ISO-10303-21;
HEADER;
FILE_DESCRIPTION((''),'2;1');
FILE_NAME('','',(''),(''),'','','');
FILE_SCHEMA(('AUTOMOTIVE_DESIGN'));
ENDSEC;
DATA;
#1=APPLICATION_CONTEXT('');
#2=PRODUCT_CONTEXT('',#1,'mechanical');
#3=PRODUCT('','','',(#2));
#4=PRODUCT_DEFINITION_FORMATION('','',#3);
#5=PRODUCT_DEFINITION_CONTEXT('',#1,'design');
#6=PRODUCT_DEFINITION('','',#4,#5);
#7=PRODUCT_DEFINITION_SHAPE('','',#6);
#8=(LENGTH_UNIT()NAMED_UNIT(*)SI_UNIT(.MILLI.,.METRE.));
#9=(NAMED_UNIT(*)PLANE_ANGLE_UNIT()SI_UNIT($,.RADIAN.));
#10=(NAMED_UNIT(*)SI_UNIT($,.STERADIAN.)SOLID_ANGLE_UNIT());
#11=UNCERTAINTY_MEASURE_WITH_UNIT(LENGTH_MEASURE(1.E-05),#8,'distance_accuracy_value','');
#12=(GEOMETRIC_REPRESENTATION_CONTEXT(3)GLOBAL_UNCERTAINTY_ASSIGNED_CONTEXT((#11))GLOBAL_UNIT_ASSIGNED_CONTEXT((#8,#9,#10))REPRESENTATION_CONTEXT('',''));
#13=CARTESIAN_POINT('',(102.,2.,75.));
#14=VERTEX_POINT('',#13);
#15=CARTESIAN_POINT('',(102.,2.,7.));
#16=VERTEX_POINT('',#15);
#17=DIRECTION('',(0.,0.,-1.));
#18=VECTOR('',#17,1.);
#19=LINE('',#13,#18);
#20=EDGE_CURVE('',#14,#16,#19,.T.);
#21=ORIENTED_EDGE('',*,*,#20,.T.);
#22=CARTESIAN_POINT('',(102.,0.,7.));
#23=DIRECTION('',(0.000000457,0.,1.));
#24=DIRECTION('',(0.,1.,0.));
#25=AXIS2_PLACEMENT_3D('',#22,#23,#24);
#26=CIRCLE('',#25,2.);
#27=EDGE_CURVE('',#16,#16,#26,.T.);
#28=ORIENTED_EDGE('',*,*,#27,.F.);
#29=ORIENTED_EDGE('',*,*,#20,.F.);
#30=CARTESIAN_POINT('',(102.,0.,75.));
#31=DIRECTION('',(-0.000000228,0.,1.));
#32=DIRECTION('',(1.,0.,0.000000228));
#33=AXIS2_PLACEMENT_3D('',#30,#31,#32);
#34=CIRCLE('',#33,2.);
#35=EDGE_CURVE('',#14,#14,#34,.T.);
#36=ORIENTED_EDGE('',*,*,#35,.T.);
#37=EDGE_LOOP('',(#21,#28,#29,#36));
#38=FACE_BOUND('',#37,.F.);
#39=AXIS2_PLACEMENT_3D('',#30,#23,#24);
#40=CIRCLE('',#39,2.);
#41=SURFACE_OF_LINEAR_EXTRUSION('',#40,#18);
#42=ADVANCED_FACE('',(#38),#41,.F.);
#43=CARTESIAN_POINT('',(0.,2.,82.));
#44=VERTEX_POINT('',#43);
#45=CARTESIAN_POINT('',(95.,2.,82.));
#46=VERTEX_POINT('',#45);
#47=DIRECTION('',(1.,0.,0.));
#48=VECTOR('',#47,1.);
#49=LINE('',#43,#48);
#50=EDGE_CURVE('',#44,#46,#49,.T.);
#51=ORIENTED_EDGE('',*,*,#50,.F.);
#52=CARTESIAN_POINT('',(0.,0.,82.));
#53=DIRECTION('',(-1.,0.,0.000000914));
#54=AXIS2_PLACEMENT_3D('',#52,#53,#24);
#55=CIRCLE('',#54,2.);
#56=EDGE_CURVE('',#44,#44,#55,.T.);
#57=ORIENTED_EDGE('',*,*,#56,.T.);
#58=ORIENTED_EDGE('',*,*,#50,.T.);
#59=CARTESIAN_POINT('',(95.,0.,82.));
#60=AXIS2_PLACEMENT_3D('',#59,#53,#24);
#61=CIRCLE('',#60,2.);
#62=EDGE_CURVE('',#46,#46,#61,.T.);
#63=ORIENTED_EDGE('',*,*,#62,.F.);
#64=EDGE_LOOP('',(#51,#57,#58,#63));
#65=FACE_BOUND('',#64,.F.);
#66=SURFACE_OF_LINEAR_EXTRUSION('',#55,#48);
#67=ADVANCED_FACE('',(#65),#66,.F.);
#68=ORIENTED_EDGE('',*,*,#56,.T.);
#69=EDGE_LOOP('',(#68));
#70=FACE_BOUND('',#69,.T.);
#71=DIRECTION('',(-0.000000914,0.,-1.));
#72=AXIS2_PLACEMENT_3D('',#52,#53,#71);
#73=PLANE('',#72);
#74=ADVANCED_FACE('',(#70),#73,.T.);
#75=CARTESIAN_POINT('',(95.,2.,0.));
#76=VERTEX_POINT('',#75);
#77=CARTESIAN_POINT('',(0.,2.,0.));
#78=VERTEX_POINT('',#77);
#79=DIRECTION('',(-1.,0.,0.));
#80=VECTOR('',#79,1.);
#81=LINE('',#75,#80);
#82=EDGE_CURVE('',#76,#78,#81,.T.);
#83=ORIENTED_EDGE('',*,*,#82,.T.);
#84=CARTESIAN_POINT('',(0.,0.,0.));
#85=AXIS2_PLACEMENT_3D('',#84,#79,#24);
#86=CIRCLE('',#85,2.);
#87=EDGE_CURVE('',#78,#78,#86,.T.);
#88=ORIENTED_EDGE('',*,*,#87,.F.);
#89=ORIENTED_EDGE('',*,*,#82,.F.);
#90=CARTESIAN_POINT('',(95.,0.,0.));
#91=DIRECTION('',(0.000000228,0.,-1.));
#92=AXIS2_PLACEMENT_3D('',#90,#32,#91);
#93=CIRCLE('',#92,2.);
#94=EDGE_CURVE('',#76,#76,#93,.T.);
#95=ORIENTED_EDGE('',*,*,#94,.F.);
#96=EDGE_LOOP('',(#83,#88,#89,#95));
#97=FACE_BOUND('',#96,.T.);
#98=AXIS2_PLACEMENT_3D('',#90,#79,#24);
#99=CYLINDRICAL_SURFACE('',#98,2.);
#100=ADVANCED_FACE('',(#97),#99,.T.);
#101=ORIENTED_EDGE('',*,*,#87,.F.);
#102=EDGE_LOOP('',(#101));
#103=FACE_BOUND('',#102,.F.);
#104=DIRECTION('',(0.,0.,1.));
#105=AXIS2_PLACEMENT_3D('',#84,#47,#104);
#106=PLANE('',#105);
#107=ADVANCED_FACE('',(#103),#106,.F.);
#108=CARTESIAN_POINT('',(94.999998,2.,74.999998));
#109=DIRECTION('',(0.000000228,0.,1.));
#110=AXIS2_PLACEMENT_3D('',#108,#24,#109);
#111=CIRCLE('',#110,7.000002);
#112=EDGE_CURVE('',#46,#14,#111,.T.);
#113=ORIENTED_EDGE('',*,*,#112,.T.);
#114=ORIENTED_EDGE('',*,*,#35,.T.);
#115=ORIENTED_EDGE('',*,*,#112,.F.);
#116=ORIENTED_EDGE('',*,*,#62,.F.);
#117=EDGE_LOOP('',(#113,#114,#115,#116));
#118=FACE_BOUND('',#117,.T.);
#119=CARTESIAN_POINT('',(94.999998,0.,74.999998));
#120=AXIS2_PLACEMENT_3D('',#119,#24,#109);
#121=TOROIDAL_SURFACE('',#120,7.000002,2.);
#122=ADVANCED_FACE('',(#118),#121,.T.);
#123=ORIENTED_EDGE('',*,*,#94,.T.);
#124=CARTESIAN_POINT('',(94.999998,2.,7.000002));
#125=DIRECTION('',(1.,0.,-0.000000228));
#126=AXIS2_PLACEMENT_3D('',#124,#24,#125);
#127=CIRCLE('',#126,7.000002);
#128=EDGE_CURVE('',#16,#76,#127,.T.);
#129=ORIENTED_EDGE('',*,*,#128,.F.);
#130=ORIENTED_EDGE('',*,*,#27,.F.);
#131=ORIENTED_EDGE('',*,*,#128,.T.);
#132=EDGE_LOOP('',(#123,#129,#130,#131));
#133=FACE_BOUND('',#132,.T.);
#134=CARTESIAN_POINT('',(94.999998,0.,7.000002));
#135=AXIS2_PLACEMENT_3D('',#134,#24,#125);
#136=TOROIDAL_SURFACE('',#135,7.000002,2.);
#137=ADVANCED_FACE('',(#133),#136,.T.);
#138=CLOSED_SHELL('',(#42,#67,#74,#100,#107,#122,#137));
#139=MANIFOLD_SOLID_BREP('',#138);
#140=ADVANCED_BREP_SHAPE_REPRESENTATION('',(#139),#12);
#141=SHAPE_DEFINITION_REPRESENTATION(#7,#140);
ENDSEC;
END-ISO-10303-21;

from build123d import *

# Parameters (mm, degrees)
F1_R = 2


with BuildPart() as f2:
    # F2: sweep along a path in F0
    with BuildLine(Plane.XZ) as f2_path:
        Line((0, 82), (95, 82))
        ThreePointArc((95, 82), (99.949747, 79.949747), (102, 75))
        Line((102, 75), (102, 7))
        ThreePointArc((102, 7), (99.949747, 2.050253), (95, 0))
        Line((95, 0), (0, 0))
    # F1 (on Right) → F2 (sweep)
    with BuildSketch(Plane.YZ):
        Circle(F1_R)
    sweep(path=f2_path.line)


solid = f2.part
